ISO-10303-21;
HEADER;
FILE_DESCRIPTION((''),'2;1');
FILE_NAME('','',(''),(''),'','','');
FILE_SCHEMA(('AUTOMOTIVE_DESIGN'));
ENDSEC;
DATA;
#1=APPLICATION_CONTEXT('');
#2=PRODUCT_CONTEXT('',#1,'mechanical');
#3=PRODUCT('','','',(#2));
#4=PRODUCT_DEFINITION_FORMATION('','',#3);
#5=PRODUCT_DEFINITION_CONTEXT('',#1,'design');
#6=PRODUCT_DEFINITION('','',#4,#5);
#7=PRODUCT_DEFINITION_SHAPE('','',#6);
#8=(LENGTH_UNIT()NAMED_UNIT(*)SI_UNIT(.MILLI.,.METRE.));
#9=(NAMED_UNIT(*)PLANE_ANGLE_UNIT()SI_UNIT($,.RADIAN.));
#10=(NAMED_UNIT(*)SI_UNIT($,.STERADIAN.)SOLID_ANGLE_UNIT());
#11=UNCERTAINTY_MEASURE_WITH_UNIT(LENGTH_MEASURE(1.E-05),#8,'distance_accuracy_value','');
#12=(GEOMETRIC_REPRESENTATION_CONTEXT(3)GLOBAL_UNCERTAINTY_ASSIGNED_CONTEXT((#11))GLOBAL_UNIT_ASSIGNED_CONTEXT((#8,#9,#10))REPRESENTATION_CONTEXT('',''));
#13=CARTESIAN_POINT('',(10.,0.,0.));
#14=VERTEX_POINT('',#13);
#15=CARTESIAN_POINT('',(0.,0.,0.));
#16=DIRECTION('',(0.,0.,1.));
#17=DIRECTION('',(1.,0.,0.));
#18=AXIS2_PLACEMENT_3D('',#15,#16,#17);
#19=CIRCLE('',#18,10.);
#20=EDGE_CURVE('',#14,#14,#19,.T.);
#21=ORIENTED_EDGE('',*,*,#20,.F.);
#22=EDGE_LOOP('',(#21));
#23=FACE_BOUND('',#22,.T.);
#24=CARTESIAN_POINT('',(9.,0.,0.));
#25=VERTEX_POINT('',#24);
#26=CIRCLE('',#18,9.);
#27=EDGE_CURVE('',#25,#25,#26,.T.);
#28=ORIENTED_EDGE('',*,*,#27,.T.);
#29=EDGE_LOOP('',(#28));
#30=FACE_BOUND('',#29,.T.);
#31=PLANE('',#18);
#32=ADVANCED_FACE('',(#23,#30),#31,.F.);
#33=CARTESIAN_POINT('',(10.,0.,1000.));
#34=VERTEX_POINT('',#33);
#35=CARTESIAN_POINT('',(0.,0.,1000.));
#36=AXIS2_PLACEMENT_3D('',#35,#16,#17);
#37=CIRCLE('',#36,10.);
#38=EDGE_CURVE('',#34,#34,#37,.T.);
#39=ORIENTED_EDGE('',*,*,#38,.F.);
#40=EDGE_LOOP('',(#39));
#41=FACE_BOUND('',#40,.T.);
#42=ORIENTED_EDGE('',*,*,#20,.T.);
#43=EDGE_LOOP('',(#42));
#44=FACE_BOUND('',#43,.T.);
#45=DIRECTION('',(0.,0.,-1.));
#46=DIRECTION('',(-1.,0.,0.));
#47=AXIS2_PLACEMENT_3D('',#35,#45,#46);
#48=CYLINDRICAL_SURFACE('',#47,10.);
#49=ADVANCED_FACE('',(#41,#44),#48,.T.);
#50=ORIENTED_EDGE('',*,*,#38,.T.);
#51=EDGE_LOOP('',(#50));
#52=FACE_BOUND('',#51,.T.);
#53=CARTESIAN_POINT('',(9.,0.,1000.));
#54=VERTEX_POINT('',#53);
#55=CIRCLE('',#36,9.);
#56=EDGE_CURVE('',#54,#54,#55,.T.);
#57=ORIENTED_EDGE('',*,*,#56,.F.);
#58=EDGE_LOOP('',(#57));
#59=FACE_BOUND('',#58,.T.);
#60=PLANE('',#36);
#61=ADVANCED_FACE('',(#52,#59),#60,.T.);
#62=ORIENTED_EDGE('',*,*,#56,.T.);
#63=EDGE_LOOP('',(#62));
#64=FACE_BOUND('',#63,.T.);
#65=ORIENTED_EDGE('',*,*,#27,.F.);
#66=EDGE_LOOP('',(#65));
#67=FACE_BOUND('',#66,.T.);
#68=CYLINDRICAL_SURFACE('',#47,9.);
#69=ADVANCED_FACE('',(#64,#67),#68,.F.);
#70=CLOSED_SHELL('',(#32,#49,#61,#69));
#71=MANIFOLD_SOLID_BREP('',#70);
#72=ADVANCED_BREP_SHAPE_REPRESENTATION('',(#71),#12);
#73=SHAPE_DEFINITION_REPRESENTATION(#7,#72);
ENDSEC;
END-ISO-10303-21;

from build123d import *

# Parameters (mm, degrees)
SKETCH_1_R      = 10
SKETCH_1_R_2    = 9
EXTRUDE_1_DEPTH = 1000


with BuildPart() as part:
    # Эскиз1 → Бобышка-Вытянуть1 (new body)
    with BuildSketch(Plane.XY):
        Circle(SKETCH_1_R)
        Circle(SKETCH_1_R_2, mode=Mode.SUBTRACT)
    extrude(amount=EXTRUDE_1_DEPTH)


solid = part.part
